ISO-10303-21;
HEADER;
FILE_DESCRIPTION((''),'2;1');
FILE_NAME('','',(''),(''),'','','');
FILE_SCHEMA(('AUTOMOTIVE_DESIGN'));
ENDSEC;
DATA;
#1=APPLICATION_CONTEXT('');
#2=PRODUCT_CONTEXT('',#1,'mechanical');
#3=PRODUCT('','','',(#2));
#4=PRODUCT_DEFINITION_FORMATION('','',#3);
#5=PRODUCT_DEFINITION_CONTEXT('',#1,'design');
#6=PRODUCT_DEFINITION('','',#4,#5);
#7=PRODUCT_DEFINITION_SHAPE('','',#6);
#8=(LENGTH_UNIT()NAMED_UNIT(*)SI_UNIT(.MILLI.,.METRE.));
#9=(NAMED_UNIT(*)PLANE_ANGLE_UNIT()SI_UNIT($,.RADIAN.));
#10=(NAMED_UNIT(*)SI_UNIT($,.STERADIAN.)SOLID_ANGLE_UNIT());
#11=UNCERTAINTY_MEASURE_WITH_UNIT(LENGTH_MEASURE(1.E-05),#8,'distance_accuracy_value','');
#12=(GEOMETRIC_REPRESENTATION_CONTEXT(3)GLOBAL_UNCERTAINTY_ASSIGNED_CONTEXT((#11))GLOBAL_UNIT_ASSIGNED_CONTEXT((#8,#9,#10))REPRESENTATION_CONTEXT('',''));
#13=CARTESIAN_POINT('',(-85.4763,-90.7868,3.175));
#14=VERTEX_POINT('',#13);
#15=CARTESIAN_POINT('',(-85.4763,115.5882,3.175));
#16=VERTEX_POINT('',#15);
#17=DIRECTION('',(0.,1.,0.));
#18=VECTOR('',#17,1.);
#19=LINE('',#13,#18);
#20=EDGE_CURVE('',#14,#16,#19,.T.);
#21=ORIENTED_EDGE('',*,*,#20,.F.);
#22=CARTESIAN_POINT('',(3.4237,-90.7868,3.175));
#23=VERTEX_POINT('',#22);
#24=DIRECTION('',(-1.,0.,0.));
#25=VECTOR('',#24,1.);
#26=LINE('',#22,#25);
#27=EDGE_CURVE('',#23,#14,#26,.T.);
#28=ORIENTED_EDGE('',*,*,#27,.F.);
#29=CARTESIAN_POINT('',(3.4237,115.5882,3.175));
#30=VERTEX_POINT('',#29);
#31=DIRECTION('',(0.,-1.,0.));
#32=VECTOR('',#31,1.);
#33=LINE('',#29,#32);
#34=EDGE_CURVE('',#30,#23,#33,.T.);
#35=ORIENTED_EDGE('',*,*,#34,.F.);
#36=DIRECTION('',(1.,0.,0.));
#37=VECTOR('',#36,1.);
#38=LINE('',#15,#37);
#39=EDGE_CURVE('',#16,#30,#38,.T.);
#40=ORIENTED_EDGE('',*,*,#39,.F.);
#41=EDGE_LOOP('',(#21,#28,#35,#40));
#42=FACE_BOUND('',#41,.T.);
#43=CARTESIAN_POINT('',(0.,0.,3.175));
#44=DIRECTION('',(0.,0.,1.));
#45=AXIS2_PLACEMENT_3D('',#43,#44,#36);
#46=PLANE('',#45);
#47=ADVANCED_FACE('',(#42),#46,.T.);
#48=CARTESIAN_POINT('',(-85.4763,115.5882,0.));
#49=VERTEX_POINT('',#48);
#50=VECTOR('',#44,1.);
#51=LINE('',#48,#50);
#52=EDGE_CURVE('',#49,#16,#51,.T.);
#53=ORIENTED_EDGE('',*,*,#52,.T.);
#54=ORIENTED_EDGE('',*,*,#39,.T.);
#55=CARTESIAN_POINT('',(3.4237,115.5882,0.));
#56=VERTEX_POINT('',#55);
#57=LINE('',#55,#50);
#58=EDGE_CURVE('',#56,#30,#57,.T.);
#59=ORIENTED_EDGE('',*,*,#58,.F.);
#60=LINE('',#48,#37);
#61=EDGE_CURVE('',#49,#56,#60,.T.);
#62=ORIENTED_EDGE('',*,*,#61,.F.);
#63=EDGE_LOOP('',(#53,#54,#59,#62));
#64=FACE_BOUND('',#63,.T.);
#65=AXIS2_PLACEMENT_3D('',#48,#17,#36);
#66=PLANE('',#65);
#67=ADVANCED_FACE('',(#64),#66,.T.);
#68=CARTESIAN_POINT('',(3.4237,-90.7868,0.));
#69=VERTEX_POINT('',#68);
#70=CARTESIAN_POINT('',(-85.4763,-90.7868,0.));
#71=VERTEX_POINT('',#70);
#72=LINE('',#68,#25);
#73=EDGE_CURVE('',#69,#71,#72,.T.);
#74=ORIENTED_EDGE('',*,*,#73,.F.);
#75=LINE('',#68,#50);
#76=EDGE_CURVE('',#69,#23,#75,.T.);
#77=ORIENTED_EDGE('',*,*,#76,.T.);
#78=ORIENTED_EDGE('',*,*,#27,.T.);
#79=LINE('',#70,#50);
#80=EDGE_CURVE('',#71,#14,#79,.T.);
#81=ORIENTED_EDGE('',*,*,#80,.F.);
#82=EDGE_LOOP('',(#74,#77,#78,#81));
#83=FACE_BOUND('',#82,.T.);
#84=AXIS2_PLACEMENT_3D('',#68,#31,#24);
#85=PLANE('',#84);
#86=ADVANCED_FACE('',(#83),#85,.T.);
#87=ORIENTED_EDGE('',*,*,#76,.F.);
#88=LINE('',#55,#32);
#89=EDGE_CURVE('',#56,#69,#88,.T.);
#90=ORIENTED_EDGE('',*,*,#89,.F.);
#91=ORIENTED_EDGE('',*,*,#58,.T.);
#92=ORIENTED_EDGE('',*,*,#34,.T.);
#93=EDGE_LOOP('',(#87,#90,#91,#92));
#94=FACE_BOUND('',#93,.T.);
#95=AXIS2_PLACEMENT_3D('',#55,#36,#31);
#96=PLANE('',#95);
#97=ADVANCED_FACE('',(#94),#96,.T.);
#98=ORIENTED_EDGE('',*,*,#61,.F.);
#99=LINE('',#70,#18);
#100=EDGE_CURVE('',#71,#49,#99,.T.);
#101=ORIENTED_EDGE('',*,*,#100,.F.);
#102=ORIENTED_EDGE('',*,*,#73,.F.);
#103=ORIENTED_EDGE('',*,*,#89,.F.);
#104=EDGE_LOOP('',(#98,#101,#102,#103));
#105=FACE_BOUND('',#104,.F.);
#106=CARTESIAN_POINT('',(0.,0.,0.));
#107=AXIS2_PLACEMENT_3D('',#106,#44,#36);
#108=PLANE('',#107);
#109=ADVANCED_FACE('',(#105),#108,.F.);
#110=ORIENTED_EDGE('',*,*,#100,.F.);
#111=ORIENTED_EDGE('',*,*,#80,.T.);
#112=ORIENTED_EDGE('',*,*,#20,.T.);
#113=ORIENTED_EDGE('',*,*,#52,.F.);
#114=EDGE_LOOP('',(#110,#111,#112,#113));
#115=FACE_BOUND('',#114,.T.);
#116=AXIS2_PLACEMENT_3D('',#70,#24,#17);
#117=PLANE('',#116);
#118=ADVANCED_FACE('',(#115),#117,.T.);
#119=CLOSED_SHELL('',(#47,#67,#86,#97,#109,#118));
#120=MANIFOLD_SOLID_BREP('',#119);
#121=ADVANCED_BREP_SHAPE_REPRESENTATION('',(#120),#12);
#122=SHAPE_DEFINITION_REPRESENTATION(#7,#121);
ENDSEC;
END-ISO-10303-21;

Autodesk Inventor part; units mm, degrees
ref_plane "YZ Plane" through (0, 0, 0) normal (1, 0, 0) x (0, 1, 0)
ref_plane "XZ Plane" through (0, 0, 0) normal (0, 1, 0) x (-1, 0, 0)
ref_plane "XY Plane" through (0, 0, 0) normal (0, 0, 1) x (1, 0, 0)
sketch "Sketch1" plane through (0, 0, 0) normal (0, 0, 1) x (1, 0, 0)
  line L0 (-85.4763, 115.5882) -> (3.4237, 115.5882)
  line L1 (3.4237, 115.5882) -> (3.4237, -90.7868)
  line L2 (3.4237, -90.7868) -> (-85.4763, -90.7868)
  line L3 (-85.4763, -90.7868) -> (-85.4763, 115.5882)
  point P0 (0, 0)
  dimension "d0" = 206.375
  dimension "d1" = 88.9
extrude "Extrusion1" add sketch "Sketch1" along normal blind 3.175
properties part number "DishTop"
